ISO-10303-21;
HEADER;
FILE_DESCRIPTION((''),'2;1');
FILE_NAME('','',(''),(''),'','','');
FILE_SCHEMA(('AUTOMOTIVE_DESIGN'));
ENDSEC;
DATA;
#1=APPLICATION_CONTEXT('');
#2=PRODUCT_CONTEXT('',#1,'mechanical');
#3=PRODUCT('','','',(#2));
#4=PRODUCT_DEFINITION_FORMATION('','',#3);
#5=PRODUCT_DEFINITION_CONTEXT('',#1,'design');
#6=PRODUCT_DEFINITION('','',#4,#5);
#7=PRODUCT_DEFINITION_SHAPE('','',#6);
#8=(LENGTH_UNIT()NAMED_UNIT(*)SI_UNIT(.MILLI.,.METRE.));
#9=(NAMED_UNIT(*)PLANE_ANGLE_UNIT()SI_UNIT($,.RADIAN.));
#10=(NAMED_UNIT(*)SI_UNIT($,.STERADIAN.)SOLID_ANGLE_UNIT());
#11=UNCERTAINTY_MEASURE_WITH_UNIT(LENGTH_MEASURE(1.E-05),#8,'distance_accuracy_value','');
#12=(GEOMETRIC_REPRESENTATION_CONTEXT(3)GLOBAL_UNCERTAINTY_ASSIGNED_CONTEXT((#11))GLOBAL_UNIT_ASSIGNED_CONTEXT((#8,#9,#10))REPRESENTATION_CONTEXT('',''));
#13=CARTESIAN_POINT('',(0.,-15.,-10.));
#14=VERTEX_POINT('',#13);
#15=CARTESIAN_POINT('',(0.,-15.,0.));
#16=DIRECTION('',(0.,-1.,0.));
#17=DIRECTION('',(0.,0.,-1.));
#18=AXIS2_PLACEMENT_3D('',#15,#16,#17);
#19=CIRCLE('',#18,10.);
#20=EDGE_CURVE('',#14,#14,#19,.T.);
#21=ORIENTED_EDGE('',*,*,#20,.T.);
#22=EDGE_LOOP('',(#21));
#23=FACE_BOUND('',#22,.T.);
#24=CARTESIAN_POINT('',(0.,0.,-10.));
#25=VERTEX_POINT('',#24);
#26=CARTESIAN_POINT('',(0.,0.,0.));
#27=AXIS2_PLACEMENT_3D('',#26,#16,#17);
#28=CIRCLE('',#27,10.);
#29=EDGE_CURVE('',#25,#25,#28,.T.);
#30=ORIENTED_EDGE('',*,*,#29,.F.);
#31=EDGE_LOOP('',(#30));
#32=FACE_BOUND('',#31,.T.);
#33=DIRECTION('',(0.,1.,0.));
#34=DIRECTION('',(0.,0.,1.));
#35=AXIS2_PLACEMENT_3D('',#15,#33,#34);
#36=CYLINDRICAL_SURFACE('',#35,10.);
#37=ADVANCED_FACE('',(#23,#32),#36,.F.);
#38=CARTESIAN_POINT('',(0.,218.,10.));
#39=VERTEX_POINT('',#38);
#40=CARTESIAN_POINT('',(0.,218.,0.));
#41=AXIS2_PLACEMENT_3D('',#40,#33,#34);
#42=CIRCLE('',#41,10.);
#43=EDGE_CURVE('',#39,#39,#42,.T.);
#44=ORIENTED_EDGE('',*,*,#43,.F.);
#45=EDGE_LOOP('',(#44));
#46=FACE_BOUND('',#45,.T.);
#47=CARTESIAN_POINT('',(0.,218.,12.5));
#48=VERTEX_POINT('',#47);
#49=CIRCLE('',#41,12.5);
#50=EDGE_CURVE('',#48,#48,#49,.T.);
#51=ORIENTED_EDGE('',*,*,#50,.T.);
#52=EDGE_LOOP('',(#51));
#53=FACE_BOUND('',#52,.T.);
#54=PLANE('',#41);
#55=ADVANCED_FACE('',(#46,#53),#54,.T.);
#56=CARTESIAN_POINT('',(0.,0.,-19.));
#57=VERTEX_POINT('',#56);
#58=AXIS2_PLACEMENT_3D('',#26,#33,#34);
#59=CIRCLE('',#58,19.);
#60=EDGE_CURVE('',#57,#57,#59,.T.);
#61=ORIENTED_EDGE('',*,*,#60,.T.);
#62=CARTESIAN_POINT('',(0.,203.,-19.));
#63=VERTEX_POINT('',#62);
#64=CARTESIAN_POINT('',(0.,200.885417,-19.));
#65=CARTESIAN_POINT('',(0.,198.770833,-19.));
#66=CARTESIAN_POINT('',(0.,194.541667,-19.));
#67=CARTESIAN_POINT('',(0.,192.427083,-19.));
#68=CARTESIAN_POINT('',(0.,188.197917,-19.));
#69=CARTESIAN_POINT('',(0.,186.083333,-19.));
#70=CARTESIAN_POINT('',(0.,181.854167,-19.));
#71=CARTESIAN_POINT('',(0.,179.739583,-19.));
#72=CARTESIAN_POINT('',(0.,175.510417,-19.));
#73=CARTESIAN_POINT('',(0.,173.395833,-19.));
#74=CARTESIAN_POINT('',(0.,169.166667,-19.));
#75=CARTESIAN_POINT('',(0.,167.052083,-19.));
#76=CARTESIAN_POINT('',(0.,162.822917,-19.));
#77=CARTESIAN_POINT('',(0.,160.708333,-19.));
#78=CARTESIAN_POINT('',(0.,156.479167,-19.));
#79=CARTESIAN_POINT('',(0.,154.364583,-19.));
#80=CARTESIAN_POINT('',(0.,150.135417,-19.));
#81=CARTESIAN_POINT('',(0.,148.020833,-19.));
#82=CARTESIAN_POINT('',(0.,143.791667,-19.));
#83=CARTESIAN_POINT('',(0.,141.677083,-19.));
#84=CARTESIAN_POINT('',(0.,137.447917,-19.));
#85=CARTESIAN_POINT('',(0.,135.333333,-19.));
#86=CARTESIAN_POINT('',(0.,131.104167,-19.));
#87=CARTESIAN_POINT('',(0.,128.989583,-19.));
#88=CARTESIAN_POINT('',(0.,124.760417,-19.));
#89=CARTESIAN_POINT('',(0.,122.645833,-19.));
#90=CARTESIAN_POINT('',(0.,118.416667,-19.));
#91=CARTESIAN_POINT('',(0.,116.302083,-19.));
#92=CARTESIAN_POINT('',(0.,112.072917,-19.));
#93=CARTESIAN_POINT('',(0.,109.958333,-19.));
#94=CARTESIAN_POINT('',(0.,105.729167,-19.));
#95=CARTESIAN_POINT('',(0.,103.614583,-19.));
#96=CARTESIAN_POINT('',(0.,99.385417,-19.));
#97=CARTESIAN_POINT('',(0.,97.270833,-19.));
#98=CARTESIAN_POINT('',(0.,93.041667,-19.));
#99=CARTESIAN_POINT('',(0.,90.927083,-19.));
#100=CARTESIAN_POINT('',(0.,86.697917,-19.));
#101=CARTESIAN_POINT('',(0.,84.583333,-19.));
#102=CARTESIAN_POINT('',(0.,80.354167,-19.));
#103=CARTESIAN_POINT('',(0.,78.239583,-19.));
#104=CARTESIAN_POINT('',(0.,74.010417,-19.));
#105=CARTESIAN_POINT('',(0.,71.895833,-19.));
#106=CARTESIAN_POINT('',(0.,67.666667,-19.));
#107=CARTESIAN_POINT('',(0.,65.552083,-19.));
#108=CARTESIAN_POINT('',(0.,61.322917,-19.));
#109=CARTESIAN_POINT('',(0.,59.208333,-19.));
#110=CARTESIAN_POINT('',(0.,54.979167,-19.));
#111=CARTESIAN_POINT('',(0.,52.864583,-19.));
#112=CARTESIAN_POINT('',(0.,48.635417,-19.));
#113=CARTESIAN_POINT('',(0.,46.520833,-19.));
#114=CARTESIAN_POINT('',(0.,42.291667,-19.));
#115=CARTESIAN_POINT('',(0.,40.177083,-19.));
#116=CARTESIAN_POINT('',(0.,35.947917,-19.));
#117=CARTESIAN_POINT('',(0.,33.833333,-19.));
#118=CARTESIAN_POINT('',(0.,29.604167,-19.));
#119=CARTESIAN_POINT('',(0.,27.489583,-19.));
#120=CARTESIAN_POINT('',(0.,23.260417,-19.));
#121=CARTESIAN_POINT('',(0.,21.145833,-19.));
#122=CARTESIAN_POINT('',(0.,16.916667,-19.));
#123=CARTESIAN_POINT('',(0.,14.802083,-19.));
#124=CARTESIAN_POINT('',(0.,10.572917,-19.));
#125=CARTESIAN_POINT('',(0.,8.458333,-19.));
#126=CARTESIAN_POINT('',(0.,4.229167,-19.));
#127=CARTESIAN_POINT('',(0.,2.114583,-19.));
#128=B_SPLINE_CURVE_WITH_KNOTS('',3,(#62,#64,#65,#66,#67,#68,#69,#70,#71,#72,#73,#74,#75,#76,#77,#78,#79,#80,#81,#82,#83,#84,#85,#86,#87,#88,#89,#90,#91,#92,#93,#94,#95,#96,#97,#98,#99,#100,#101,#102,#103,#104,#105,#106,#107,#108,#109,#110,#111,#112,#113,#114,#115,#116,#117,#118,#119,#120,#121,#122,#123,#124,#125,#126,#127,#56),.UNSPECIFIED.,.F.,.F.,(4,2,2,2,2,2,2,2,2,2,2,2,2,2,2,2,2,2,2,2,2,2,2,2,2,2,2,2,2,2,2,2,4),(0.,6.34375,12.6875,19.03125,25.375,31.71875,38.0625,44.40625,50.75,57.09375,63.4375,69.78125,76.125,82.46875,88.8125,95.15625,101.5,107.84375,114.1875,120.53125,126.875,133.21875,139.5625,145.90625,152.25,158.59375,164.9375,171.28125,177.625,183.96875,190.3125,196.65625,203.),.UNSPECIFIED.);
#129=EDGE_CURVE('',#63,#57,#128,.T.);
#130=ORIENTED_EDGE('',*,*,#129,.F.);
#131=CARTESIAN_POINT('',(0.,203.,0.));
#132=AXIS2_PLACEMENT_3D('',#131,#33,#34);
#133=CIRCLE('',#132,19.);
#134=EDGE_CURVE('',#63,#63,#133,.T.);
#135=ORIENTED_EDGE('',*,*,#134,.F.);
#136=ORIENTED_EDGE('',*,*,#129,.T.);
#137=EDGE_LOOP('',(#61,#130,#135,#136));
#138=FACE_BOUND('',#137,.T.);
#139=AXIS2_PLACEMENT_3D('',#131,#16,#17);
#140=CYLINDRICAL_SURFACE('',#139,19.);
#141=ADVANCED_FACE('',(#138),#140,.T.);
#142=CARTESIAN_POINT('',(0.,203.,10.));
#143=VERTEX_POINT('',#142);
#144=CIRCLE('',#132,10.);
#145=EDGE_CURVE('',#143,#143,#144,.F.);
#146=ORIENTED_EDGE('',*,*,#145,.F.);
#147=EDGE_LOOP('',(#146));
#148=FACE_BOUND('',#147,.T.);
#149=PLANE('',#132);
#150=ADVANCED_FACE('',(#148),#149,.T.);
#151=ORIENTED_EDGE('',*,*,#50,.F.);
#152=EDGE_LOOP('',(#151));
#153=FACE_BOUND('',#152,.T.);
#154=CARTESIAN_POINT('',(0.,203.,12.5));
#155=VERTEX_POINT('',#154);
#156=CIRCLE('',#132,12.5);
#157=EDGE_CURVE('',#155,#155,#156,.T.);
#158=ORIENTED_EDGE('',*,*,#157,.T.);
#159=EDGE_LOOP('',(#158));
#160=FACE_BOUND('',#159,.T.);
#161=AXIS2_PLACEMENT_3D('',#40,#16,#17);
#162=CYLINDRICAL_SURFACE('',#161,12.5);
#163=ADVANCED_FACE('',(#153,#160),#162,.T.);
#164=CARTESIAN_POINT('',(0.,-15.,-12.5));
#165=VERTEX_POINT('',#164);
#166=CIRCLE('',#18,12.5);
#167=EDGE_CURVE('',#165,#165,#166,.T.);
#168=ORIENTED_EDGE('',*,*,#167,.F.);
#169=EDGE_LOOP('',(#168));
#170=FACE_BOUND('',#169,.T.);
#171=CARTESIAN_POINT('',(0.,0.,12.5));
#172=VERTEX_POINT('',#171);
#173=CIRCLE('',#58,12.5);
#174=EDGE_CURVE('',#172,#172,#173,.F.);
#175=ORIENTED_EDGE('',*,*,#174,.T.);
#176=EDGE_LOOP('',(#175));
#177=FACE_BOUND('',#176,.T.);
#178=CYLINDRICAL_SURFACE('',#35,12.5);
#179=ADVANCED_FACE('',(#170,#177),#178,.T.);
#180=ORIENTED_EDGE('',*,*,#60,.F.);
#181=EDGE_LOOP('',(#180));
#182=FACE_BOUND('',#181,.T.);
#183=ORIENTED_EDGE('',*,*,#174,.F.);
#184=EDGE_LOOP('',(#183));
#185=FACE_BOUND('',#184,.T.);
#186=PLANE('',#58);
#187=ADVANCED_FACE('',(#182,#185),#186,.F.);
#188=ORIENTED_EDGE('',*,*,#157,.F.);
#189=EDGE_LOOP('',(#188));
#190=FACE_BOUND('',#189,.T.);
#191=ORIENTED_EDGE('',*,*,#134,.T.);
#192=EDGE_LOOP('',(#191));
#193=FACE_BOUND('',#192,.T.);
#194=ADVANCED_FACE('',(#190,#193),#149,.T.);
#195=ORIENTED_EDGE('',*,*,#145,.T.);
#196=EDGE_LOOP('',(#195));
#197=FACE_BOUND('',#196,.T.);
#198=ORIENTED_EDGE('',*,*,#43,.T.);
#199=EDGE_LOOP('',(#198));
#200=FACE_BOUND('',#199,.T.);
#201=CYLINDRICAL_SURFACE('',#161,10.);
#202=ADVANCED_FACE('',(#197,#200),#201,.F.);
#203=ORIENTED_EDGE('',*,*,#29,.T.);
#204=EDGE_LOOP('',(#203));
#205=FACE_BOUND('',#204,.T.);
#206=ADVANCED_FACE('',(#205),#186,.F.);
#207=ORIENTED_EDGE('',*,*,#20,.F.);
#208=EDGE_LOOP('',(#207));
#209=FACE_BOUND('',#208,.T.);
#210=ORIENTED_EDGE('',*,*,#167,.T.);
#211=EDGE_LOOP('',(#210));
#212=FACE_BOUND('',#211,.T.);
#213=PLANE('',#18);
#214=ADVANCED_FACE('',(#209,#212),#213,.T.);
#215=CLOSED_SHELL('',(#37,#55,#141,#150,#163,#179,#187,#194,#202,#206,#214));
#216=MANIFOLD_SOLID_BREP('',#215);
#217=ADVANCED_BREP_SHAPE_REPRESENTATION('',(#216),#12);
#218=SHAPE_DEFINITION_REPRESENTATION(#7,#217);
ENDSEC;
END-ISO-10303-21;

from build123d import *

# Parameters (mm, degrees)
SKETCH1_R           = 19
BOSS_EXTRUDE1_DEPTH = 203
SKETCH2_R           = 12.5
SKETCH2_R_2         = 10
BOSS_EXTRUDE2_DEPTH = 15
BOSS_EXTRUDE3_START = 15
SKETCH3_R           = 12.5
SKETCH3_R_2         = 10
BOSS_EXTRUDE3_DEPTH = 15


with BuildPart() as part:
    # Sketch1 → Boss-Extrude1 (new body)
    with BuildSketch(Plane(origin=(0, 0, 0), x_dir=(1, 0, 0), z_dir=(0, 1, 0))):
        with Locations(Location((0, 0, 0), (0, 0, 90))):
            Circle(SKETCH1_R)
    extrude(amount=BOSS_EXTRUDE1_DEPTH)

    # Sketch2 → Boss-Extrude2 (add)
    with BuildSketch(Plane.XZ):
        with Locations(Location((0, 0, 0), (0, 0, 90))):
            Circle(SKETCH2_R)
        with Locations(Location((0, 0, 0), (0, 0, 270))):
            Circle(SKETCH2_R_2, mode=Mode.SUBTRACT)
    extrude(amount=BOSS_EXTRUDE2_DEPTH)

    # Sketch3 → Boss-Extrude3 (add)
    with BuildSketch(Plane(origin=(0, 203, 0), x_dir=(1, 0, 0), z_dir=(0, 1, 0)).offset(BOSS_EXTRUDE3_START)):
        with Locations(Location((0, 0, 0), (0, 0, 270))):
            Circle(SKETCH3_R)
        with Locations(Location((0, 0, 0), (0, 0, 90))):
            Circle(SKETCH3_R_2, mode=Mode.SUBTRACT)
    extrude(amount=-BOSS_EXTRUDE3_DEPTH)


solid = part.part
